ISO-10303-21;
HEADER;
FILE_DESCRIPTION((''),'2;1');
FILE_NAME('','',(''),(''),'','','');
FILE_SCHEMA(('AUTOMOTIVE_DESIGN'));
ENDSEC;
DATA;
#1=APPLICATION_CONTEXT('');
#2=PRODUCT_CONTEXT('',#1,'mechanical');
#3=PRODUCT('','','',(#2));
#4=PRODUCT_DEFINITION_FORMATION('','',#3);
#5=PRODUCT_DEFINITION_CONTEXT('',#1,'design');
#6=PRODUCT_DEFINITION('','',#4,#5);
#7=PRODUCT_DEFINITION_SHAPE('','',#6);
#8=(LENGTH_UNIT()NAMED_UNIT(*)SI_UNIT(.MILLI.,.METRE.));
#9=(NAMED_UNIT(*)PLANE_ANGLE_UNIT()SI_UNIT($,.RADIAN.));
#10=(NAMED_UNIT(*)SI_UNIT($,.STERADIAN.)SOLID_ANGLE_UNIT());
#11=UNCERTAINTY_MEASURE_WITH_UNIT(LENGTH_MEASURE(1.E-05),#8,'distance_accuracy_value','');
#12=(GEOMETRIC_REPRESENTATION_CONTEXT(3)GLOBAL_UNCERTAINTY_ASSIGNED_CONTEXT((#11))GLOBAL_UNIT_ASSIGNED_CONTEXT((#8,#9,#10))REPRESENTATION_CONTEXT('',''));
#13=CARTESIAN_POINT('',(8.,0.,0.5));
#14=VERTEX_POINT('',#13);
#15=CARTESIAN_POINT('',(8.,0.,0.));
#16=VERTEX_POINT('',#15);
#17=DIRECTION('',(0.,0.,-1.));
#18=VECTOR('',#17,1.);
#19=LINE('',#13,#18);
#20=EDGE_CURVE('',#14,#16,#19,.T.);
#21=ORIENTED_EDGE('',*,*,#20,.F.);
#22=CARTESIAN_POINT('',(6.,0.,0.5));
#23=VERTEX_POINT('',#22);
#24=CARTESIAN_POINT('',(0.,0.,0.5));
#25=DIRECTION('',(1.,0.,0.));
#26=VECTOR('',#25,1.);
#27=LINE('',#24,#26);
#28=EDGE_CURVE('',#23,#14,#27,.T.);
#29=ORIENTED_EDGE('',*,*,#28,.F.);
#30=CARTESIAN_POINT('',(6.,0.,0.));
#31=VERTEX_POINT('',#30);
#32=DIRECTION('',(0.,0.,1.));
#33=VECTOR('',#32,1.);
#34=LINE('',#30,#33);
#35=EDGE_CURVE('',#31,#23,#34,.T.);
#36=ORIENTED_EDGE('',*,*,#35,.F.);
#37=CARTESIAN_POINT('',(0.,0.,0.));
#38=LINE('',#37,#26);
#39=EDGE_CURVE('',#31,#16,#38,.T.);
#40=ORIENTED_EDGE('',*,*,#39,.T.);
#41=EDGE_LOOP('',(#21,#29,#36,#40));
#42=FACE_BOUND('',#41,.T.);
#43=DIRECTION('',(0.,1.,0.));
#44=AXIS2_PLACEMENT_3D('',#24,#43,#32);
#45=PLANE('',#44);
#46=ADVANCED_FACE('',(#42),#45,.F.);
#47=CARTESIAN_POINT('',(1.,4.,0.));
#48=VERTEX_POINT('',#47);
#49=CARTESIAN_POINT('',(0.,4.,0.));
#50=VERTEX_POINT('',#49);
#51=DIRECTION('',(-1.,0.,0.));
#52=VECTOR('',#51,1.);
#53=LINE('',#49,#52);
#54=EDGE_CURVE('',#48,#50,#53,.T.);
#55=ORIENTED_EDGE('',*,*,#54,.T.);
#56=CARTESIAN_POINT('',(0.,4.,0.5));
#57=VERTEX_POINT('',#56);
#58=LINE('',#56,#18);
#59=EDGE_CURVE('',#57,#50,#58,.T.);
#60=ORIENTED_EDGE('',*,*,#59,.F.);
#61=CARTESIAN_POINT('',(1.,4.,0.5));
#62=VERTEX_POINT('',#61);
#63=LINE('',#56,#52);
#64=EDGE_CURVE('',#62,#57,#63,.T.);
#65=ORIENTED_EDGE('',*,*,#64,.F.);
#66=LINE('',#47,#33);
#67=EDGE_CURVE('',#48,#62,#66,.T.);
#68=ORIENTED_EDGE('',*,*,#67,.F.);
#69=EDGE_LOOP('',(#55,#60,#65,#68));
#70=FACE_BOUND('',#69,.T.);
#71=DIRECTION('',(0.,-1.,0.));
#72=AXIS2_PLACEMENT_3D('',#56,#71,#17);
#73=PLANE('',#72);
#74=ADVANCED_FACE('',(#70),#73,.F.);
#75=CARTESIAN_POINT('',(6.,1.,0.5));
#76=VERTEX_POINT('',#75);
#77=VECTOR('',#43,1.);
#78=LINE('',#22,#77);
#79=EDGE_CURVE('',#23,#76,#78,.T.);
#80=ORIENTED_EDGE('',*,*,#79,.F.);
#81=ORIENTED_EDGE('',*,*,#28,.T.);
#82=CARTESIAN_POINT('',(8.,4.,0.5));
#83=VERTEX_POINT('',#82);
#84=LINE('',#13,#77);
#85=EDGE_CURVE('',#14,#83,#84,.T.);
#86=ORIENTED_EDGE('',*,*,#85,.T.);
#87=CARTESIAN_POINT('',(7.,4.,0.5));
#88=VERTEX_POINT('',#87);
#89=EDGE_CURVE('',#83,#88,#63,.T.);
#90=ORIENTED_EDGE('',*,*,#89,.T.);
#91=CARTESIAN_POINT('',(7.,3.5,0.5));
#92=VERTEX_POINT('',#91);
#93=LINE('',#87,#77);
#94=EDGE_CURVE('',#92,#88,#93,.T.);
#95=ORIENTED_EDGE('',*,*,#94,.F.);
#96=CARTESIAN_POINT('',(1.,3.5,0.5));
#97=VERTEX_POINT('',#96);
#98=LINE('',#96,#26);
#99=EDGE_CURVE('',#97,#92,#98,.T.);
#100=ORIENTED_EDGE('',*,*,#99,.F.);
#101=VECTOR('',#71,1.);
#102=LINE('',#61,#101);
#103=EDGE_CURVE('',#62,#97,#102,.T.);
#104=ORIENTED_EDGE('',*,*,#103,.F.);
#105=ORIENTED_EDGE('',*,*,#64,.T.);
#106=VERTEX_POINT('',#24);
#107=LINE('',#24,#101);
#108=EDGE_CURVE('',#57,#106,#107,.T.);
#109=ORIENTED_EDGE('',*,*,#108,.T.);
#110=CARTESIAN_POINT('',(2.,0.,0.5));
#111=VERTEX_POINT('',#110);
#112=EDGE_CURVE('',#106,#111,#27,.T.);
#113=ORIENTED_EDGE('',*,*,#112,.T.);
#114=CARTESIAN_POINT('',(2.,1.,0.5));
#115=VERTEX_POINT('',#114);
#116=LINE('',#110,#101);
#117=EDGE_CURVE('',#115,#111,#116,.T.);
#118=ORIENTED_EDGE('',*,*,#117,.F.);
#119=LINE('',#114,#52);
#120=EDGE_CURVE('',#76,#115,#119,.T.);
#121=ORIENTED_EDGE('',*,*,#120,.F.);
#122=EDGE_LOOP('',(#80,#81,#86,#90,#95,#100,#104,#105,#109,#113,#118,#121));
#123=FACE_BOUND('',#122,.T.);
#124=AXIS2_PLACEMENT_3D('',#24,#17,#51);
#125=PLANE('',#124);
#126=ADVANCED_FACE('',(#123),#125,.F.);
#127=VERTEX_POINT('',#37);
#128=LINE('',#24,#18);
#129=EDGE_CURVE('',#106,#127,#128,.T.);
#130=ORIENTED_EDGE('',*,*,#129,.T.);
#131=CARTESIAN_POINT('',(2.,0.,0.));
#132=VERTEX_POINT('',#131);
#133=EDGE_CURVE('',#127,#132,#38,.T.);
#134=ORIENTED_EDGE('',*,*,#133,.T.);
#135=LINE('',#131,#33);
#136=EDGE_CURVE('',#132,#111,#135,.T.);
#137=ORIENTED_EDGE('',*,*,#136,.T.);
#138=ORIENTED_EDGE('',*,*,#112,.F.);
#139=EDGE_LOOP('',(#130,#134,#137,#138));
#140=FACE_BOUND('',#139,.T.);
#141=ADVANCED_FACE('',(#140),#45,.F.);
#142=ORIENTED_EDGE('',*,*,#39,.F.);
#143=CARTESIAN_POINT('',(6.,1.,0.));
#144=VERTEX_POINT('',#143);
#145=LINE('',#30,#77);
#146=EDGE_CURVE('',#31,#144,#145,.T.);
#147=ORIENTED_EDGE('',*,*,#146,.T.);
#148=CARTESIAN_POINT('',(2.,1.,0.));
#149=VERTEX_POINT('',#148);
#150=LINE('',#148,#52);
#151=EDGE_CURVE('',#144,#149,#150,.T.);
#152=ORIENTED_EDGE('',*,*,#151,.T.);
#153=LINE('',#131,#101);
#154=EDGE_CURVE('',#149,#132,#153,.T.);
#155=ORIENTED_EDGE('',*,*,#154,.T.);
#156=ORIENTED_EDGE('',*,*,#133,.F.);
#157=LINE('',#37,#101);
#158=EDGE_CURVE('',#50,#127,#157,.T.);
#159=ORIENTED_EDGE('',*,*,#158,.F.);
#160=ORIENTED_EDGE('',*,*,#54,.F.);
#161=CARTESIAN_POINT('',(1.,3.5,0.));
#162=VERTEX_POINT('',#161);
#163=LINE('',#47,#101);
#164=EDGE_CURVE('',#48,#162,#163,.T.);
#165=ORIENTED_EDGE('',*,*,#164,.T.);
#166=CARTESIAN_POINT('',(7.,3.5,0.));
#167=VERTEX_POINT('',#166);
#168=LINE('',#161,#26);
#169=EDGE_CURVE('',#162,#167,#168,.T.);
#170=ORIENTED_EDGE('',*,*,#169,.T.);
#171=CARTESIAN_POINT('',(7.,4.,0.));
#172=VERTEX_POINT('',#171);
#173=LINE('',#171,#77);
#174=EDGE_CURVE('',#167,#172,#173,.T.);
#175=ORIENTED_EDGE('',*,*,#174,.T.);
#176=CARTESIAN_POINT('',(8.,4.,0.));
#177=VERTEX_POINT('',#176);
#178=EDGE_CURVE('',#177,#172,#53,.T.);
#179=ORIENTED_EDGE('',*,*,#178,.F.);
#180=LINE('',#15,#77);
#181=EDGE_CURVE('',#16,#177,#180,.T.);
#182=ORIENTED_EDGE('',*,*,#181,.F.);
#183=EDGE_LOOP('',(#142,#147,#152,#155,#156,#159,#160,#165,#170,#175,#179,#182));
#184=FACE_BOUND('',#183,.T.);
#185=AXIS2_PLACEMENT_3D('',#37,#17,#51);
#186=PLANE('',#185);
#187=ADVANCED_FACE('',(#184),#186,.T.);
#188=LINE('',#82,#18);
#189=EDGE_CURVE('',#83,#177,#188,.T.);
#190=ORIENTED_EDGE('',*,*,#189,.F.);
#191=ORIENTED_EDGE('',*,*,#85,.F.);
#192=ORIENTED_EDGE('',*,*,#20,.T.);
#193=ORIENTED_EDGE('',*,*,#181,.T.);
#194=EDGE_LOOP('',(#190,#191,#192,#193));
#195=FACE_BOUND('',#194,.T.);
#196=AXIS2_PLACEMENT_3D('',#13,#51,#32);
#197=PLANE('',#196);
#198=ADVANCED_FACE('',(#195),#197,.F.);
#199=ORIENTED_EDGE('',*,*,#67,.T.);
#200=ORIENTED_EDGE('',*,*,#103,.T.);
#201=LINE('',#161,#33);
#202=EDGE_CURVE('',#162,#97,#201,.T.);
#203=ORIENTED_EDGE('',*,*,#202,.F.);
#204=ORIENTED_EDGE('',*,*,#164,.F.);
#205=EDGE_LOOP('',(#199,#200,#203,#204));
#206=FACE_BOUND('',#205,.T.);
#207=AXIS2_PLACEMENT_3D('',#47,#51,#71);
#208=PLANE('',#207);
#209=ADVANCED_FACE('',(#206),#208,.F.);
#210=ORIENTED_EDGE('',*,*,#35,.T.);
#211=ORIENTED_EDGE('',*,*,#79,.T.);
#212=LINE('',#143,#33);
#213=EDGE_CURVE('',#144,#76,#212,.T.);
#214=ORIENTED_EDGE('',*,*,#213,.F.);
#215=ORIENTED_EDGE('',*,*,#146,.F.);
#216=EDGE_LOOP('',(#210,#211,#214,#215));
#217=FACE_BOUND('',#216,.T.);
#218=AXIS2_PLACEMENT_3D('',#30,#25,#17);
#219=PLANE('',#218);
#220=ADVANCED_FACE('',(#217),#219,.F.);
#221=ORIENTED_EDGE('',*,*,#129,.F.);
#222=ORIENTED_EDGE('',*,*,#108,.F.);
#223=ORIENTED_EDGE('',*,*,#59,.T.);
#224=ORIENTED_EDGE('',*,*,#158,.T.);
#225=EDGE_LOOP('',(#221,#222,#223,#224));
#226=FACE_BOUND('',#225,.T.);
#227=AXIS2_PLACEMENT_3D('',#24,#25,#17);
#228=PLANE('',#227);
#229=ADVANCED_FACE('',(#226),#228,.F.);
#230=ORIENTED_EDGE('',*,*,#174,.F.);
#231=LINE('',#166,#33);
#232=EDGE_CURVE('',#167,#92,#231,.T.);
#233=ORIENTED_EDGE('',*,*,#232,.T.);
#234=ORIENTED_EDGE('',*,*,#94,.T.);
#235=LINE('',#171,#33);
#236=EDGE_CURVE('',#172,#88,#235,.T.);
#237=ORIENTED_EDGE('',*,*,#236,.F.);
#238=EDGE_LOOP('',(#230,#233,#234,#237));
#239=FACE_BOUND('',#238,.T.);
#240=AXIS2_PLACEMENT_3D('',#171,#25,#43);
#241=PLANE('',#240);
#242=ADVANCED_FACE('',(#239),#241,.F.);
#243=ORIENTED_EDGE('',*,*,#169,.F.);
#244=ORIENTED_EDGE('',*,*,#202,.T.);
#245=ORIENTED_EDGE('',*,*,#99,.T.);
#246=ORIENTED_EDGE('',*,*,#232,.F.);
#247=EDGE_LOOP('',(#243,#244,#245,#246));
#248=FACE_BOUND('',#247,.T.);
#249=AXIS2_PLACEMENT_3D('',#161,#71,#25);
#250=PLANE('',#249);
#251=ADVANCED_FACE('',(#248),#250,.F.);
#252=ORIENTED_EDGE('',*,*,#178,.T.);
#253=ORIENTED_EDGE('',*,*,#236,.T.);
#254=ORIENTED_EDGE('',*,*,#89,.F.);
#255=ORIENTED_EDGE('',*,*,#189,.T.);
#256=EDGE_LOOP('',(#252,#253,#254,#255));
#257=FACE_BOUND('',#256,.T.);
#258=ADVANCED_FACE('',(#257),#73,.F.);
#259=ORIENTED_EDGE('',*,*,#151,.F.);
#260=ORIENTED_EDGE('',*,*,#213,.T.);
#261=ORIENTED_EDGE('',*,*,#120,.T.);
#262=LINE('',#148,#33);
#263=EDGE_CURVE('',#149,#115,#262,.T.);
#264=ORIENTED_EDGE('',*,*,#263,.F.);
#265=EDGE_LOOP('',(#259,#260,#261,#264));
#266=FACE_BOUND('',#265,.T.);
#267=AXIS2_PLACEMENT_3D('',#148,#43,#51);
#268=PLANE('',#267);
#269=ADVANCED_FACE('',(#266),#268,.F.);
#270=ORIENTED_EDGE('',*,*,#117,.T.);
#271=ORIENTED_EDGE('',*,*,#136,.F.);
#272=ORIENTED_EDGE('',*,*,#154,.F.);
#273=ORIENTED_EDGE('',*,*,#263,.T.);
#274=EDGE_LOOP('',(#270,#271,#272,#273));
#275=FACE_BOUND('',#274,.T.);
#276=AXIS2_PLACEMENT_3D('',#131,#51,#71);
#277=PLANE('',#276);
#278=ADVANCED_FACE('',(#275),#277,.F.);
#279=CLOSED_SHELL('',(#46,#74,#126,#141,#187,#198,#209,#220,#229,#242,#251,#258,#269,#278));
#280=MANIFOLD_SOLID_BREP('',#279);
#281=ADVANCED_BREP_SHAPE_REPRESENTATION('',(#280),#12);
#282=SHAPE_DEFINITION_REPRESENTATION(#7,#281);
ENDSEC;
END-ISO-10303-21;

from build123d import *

# Parameters (mm, degrees)
CROQUIS1_W              = 8
CROQUIS1_H              = 4
SALIENTE_EXTRUIR1_DEPTH = 0.5
CROQUIS2_W              = 6
CROQUIS2_H              = 0.5
CROQUIS2_W_2            = 4
CROQUIS2_H_2            = 1
CORTAR_EXTRUIR1_DEPTH   = 0.5


with BuildPart() as part:
    # Croquis1 → Saliente-Extruir1 (new body)
    with BuildSketch(Plane.XY):
        with Locations((4, 2)):
            Rectangle(CROQUIS1_W, CROQUIS1_H)
    extrude(amount=SALIENTE_EXTRUIR1_DEPTH)

    # Croquis2 → Cortar-Extruir1 (cut)
    with BuildSketch(Plane.XY.offset(0.5)):
        with Locations((4, 3.75)):
            Rectangle(CROQUIS2_W, CROQUIS2_H)
        with Locations((4, 0.5)):
            Rectangle(CROQUIS2_W_2, CROQUIS2_H_2)
    extrude(amount=-CORTAR_EXTRUIR1_DEPTH, mode=Mode.SUBTRACT)


solid = part.part
